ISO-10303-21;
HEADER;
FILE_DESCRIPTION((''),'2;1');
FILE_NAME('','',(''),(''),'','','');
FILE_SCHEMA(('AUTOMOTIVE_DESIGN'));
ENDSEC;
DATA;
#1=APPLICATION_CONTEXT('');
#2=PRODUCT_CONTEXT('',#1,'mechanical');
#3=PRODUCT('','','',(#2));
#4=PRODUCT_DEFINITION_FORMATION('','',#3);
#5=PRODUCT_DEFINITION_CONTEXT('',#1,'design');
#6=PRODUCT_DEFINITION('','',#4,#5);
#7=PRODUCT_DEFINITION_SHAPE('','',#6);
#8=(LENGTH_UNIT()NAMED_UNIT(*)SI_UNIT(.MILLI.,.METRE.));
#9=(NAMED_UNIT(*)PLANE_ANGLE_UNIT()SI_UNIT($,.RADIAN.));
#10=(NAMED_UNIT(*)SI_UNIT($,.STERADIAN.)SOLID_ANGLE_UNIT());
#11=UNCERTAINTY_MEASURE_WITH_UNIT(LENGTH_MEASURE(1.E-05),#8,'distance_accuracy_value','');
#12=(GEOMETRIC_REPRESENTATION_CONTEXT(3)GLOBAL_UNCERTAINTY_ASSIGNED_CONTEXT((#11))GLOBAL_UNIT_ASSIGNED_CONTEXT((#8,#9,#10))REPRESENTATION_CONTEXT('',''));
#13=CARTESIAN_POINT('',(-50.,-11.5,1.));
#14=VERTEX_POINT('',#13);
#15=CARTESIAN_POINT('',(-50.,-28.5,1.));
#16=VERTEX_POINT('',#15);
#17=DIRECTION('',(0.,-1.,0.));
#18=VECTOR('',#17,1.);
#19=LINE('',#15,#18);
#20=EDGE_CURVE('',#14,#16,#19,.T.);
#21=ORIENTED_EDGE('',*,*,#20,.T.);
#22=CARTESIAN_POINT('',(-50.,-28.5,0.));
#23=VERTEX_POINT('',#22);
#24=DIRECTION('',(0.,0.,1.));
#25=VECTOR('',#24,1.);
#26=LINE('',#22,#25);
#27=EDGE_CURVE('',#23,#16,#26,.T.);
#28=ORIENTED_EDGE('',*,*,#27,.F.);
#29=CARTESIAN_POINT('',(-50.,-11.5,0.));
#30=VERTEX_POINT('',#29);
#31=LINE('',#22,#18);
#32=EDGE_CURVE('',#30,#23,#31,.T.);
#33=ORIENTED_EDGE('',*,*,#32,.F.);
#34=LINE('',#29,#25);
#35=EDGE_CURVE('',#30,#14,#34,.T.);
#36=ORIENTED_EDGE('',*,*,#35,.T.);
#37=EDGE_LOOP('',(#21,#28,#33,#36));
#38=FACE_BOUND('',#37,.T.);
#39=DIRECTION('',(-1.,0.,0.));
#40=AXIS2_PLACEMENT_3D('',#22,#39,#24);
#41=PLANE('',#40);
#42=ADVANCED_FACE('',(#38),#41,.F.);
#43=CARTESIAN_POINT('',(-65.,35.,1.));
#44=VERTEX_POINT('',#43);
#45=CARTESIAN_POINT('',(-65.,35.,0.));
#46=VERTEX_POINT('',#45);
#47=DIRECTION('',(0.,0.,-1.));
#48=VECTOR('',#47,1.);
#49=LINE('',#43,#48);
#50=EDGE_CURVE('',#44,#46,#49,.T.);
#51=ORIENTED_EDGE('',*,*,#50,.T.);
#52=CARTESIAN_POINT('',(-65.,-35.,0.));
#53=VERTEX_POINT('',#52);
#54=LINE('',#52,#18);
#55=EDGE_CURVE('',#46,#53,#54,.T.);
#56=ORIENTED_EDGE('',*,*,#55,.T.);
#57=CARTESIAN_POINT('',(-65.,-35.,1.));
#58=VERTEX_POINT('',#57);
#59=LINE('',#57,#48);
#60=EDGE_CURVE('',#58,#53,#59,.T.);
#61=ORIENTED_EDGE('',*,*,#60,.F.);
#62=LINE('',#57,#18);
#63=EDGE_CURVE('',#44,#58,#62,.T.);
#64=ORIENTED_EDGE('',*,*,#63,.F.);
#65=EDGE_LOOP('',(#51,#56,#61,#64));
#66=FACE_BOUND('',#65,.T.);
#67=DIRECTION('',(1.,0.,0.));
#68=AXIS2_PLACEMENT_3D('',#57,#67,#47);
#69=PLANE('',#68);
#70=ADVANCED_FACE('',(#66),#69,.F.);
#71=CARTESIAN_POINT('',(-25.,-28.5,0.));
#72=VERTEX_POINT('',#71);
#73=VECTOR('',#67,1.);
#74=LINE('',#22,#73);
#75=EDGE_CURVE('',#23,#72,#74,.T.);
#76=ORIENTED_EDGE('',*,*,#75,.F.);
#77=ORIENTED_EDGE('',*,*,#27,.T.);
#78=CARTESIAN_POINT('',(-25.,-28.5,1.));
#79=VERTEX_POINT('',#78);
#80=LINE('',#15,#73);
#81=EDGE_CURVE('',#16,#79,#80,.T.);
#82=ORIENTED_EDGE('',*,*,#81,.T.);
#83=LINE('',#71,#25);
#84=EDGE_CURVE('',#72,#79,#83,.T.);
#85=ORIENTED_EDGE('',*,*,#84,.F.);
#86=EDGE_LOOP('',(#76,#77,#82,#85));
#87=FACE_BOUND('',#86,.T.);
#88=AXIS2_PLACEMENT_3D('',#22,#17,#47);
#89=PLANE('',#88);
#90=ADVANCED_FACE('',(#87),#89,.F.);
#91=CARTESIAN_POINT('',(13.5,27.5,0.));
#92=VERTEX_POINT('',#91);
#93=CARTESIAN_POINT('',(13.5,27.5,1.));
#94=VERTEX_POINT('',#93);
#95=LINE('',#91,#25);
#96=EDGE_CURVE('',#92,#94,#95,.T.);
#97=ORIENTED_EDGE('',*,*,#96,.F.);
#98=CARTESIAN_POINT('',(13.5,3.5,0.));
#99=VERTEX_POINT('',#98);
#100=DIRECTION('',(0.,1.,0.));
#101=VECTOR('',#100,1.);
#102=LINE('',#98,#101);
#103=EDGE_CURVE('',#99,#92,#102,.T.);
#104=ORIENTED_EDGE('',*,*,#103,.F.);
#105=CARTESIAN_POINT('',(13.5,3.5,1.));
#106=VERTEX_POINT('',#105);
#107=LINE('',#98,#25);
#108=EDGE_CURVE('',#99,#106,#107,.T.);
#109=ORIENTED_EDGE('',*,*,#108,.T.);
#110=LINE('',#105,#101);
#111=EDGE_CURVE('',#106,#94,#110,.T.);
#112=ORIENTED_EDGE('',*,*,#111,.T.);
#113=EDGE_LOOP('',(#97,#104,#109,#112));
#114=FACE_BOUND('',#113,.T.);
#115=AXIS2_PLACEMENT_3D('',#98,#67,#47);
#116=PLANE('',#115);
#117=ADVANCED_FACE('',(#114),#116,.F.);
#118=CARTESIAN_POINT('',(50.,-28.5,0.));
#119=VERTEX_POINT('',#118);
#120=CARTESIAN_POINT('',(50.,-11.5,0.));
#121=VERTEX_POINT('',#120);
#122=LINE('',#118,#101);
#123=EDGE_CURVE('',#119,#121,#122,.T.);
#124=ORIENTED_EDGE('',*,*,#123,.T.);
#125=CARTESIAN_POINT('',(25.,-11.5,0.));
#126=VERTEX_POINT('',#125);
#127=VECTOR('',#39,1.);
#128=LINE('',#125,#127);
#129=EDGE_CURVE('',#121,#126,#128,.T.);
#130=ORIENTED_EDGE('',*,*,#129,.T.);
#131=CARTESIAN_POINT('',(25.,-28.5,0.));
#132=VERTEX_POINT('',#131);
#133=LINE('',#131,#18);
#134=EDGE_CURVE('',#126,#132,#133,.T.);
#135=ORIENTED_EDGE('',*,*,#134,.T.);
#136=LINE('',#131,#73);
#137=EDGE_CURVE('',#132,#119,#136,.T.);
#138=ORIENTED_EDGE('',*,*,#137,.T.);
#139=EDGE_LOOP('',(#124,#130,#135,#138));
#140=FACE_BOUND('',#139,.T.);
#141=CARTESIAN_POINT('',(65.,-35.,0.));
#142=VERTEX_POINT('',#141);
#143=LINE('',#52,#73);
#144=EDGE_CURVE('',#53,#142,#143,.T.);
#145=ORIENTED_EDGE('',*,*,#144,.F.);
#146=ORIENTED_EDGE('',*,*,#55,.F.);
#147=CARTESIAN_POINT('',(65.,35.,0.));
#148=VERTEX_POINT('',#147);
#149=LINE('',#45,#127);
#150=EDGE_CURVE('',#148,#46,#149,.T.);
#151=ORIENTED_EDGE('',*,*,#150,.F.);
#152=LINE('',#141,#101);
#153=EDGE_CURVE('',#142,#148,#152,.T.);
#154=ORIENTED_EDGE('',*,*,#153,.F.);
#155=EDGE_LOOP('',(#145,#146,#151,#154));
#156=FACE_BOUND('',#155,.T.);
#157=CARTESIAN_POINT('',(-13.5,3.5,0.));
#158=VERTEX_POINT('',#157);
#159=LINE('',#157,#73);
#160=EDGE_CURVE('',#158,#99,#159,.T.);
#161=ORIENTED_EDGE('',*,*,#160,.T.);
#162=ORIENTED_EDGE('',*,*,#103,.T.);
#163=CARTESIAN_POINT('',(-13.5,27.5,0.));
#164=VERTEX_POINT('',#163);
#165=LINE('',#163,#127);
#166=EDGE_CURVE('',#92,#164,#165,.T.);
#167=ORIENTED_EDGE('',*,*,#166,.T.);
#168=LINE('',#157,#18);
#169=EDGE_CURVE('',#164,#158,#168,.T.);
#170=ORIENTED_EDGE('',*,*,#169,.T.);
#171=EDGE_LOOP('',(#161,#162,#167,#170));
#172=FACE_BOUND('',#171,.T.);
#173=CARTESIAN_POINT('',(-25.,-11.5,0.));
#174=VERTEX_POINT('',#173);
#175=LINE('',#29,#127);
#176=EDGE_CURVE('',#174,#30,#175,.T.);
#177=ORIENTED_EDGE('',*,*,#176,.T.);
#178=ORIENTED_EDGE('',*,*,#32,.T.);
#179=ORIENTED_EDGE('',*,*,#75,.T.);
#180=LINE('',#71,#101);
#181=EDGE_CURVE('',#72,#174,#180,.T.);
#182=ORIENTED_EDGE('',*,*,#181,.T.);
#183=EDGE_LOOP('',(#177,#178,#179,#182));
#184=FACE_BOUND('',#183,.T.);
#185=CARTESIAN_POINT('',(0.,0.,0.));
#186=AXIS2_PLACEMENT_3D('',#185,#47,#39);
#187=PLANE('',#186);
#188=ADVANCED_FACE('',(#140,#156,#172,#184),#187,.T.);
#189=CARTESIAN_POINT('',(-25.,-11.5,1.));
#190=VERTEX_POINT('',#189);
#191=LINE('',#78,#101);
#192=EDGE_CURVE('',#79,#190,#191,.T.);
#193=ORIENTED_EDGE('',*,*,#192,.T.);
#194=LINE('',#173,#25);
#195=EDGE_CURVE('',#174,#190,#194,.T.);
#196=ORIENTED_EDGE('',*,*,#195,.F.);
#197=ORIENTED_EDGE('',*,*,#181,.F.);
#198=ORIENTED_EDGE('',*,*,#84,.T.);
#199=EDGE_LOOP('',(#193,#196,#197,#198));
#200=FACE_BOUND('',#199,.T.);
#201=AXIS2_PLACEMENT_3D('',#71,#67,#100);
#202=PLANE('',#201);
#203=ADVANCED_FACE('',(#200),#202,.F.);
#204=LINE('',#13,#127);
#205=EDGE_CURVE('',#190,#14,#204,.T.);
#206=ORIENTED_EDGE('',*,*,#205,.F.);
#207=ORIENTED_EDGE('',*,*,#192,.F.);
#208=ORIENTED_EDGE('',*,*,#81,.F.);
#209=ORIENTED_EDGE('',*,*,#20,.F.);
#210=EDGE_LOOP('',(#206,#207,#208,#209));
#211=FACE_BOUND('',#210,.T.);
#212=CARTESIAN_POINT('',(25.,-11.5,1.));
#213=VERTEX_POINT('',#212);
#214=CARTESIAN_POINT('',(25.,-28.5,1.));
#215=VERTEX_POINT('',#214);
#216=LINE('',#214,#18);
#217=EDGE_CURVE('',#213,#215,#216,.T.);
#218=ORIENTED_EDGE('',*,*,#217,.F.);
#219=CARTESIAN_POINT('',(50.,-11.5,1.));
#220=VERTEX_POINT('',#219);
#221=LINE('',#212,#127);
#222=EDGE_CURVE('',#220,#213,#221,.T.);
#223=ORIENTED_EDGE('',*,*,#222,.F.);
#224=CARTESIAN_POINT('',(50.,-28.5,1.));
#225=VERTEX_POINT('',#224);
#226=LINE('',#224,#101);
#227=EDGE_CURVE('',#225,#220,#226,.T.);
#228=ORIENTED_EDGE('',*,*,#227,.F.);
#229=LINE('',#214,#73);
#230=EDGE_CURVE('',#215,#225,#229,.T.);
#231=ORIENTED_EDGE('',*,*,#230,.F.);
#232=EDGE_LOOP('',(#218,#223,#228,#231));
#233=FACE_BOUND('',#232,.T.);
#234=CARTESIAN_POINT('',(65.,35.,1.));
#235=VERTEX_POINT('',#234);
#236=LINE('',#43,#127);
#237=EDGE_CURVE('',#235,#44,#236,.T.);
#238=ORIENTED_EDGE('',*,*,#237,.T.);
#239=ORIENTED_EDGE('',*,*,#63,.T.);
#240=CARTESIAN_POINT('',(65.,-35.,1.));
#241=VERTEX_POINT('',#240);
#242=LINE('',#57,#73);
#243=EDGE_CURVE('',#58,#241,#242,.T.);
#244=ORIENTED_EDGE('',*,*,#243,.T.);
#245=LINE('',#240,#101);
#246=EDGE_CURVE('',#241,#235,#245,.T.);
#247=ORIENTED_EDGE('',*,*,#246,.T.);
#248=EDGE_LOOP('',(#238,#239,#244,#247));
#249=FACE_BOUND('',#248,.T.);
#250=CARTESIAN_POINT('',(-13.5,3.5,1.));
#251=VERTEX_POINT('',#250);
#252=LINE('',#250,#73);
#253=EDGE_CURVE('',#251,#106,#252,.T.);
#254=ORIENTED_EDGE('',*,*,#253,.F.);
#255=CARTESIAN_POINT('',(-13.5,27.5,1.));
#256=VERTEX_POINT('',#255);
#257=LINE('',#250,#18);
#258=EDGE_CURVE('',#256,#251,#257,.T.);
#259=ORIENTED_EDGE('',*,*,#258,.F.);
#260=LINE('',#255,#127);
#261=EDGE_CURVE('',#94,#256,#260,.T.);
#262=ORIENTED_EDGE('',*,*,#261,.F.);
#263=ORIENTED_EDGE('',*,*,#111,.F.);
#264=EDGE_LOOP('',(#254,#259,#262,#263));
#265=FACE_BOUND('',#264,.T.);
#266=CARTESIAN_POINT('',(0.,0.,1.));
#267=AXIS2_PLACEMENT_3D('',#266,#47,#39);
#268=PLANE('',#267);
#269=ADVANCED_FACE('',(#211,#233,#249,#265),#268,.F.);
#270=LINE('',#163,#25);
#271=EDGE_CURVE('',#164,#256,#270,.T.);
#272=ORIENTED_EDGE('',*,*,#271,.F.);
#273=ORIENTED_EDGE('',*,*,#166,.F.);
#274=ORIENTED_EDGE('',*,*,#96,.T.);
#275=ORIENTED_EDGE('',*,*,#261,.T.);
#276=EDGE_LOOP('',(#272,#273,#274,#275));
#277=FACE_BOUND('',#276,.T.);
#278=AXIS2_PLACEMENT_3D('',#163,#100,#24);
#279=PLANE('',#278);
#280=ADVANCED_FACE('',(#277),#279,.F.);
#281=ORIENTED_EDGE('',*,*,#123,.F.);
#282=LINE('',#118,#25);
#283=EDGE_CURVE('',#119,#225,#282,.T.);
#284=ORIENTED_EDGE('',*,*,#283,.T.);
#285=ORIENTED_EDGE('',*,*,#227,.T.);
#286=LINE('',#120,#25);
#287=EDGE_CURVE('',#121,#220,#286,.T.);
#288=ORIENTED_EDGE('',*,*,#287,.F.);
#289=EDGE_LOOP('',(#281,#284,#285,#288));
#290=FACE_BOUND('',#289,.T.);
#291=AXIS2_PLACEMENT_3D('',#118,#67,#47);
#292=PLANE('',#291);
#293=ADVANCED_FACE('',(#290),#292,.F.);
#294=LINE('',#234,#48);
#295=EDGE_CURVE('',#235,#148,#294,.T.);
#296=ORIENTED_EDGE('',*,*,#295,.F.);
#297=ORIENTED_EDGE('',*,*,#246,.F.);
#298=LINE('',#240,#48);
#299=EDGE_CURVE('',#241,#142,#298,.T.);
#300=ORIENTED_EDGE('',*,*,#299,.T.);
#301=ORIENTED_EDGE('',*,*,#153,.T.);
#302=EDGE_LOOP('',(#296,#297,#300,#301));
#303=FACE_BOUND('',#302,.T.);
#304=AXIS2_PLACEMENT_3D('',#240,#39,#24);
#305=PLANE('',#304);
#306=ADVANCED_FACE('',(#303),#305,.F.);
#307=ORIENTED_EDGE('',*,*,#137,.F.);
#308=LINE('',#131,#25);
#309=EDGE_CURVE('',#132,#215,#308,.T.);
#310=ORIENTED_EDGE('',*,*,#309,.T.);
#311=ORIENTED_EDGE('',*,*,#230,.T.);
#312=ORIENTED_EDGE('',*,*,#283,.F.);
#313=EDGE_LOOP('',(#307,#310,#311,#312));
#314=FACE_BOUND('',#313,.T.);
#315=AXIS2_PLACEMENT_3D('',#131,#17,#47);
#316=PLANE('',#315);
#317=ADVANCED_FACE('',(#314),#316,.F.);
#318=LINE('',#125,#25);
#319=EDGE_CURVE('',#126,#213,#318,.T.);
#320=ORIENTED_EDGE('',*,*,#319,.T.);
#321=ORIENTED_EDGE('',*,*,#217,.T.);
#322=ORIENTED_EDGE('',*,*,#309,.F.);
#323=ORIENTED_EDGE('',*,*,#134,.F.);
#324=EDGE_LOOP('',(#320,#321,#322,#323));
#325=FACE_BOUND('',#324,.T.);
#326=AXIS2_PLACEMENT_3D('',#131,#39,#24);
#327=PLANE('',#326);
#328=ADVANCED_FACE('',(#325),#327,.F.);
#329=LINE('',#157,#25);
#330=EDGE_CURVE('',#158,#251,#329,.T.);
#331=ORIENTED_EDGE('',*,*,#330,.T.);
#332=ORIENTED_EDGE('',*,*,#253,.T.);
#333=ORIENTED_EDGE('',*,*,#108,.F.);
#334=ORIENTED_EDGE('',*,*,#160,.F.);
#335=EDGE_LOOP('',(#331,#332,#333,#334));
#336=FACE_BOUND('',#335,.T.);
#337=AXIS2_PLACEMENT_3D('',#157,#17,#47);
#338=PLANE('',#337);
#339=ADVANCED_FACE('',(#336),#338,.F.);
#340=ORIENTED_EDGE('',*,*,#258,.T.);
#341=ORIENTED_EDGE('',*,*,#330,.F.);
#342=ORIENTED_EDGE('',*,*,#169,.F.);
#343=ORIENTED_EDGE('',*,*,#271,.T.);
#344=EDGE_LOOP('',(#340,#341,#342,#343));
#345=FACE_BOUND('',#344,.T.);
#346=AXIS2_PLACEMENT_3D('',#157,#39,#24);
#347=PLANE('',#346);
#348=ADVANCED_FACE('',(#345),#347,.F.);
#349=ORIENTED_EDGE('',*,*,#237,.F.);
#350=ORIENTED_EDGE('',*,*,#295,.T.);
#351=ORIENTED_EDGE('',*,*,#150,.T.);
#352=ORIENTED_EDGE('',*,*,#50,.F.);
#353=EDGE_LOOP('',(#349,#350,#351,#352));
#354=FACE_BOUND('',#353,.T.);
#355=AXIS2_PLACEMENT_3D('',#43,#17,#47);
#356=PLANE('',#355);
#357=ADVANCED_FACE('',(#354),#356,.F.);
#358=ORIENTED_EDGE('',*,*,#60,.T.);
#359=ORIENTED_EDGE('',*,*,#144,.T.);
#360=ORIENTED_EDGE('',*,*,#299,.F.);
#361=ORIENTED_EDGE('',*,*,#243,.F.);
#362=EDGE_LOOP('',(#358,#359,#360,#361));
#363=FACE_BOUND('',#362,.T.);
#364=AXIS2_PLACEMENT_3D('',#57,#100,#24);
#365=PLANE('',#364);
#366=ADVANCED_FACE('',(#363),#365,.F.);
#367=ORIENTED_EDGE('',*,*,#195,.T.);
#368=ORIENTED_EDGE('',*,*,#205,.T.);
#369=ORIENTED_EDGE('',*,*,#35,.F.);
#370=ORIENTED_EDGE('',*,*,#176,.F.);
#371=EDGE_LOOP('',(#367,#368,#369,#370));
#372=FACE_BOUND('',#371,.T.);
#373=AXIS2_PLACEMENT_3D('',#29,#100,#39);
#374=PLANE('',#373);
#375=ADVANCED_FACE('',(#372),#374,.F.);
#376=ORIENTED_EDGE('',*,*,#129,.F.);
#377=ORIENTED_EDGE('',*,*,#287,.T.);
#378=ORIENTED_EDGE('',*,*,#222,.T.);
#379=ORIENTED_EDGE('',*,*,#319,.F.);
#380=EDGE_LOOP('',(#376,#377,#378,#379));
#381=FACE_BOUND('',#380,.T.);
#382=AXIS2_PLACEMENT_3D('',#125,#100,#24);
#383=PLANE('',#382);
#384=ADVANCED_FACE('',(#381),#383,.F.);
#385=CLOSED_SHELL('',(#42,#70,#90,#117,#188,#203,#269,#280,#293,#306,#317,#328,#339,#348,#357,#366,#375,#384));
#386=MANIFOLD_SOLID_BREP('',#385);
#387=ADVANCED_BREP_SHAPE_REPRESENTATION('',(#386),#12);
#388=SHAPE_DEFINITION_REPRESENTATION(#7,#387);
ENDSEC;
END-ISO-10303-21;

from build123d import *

# Parameters (mm, degrees)
SKETCH1_W           = 130
SKETCH1_H           = 70
BOSS_EXTRUDE1_DEPTH = 1
SKETCH2_W           = 25
SKETCH2_H           = 17
SKETCH2_W_2         = 27
SKETCH2_H_2         = 24
CUT_EXTRUDE1_DEPTH  = 2


with BuildPart() as part:
    # Sketch1 → Boss-Extrude1 (new body)
    with BuildSketch(Plane.XY):
        Rectangle(SKETCH1_W, SKETCH1_H)
    extrude(amount=BOSS_EXTRUDE1_DEPTH)

    # Sketch2 → Cut-Extrude1 (cut, through all)
    with BuildSketch(Plane.XY.offset(1)):
        with Locations((-37.5, -20)):
            Rectangle(SKETCH2_W, SKETCH2_H)
        with Locations((37.5, -20)):
            Rectangle(SKETCH2_W, SKETCH2_H)
        with Locations((0, 15.5)):
            Rectangle(SKETCH2_W_2, SKETCH2_H_2)
    extrude(amount=-CUT_EXTRUDE1_DEPTH, mode=Mode.SUBTRACT)


solid = part.part
